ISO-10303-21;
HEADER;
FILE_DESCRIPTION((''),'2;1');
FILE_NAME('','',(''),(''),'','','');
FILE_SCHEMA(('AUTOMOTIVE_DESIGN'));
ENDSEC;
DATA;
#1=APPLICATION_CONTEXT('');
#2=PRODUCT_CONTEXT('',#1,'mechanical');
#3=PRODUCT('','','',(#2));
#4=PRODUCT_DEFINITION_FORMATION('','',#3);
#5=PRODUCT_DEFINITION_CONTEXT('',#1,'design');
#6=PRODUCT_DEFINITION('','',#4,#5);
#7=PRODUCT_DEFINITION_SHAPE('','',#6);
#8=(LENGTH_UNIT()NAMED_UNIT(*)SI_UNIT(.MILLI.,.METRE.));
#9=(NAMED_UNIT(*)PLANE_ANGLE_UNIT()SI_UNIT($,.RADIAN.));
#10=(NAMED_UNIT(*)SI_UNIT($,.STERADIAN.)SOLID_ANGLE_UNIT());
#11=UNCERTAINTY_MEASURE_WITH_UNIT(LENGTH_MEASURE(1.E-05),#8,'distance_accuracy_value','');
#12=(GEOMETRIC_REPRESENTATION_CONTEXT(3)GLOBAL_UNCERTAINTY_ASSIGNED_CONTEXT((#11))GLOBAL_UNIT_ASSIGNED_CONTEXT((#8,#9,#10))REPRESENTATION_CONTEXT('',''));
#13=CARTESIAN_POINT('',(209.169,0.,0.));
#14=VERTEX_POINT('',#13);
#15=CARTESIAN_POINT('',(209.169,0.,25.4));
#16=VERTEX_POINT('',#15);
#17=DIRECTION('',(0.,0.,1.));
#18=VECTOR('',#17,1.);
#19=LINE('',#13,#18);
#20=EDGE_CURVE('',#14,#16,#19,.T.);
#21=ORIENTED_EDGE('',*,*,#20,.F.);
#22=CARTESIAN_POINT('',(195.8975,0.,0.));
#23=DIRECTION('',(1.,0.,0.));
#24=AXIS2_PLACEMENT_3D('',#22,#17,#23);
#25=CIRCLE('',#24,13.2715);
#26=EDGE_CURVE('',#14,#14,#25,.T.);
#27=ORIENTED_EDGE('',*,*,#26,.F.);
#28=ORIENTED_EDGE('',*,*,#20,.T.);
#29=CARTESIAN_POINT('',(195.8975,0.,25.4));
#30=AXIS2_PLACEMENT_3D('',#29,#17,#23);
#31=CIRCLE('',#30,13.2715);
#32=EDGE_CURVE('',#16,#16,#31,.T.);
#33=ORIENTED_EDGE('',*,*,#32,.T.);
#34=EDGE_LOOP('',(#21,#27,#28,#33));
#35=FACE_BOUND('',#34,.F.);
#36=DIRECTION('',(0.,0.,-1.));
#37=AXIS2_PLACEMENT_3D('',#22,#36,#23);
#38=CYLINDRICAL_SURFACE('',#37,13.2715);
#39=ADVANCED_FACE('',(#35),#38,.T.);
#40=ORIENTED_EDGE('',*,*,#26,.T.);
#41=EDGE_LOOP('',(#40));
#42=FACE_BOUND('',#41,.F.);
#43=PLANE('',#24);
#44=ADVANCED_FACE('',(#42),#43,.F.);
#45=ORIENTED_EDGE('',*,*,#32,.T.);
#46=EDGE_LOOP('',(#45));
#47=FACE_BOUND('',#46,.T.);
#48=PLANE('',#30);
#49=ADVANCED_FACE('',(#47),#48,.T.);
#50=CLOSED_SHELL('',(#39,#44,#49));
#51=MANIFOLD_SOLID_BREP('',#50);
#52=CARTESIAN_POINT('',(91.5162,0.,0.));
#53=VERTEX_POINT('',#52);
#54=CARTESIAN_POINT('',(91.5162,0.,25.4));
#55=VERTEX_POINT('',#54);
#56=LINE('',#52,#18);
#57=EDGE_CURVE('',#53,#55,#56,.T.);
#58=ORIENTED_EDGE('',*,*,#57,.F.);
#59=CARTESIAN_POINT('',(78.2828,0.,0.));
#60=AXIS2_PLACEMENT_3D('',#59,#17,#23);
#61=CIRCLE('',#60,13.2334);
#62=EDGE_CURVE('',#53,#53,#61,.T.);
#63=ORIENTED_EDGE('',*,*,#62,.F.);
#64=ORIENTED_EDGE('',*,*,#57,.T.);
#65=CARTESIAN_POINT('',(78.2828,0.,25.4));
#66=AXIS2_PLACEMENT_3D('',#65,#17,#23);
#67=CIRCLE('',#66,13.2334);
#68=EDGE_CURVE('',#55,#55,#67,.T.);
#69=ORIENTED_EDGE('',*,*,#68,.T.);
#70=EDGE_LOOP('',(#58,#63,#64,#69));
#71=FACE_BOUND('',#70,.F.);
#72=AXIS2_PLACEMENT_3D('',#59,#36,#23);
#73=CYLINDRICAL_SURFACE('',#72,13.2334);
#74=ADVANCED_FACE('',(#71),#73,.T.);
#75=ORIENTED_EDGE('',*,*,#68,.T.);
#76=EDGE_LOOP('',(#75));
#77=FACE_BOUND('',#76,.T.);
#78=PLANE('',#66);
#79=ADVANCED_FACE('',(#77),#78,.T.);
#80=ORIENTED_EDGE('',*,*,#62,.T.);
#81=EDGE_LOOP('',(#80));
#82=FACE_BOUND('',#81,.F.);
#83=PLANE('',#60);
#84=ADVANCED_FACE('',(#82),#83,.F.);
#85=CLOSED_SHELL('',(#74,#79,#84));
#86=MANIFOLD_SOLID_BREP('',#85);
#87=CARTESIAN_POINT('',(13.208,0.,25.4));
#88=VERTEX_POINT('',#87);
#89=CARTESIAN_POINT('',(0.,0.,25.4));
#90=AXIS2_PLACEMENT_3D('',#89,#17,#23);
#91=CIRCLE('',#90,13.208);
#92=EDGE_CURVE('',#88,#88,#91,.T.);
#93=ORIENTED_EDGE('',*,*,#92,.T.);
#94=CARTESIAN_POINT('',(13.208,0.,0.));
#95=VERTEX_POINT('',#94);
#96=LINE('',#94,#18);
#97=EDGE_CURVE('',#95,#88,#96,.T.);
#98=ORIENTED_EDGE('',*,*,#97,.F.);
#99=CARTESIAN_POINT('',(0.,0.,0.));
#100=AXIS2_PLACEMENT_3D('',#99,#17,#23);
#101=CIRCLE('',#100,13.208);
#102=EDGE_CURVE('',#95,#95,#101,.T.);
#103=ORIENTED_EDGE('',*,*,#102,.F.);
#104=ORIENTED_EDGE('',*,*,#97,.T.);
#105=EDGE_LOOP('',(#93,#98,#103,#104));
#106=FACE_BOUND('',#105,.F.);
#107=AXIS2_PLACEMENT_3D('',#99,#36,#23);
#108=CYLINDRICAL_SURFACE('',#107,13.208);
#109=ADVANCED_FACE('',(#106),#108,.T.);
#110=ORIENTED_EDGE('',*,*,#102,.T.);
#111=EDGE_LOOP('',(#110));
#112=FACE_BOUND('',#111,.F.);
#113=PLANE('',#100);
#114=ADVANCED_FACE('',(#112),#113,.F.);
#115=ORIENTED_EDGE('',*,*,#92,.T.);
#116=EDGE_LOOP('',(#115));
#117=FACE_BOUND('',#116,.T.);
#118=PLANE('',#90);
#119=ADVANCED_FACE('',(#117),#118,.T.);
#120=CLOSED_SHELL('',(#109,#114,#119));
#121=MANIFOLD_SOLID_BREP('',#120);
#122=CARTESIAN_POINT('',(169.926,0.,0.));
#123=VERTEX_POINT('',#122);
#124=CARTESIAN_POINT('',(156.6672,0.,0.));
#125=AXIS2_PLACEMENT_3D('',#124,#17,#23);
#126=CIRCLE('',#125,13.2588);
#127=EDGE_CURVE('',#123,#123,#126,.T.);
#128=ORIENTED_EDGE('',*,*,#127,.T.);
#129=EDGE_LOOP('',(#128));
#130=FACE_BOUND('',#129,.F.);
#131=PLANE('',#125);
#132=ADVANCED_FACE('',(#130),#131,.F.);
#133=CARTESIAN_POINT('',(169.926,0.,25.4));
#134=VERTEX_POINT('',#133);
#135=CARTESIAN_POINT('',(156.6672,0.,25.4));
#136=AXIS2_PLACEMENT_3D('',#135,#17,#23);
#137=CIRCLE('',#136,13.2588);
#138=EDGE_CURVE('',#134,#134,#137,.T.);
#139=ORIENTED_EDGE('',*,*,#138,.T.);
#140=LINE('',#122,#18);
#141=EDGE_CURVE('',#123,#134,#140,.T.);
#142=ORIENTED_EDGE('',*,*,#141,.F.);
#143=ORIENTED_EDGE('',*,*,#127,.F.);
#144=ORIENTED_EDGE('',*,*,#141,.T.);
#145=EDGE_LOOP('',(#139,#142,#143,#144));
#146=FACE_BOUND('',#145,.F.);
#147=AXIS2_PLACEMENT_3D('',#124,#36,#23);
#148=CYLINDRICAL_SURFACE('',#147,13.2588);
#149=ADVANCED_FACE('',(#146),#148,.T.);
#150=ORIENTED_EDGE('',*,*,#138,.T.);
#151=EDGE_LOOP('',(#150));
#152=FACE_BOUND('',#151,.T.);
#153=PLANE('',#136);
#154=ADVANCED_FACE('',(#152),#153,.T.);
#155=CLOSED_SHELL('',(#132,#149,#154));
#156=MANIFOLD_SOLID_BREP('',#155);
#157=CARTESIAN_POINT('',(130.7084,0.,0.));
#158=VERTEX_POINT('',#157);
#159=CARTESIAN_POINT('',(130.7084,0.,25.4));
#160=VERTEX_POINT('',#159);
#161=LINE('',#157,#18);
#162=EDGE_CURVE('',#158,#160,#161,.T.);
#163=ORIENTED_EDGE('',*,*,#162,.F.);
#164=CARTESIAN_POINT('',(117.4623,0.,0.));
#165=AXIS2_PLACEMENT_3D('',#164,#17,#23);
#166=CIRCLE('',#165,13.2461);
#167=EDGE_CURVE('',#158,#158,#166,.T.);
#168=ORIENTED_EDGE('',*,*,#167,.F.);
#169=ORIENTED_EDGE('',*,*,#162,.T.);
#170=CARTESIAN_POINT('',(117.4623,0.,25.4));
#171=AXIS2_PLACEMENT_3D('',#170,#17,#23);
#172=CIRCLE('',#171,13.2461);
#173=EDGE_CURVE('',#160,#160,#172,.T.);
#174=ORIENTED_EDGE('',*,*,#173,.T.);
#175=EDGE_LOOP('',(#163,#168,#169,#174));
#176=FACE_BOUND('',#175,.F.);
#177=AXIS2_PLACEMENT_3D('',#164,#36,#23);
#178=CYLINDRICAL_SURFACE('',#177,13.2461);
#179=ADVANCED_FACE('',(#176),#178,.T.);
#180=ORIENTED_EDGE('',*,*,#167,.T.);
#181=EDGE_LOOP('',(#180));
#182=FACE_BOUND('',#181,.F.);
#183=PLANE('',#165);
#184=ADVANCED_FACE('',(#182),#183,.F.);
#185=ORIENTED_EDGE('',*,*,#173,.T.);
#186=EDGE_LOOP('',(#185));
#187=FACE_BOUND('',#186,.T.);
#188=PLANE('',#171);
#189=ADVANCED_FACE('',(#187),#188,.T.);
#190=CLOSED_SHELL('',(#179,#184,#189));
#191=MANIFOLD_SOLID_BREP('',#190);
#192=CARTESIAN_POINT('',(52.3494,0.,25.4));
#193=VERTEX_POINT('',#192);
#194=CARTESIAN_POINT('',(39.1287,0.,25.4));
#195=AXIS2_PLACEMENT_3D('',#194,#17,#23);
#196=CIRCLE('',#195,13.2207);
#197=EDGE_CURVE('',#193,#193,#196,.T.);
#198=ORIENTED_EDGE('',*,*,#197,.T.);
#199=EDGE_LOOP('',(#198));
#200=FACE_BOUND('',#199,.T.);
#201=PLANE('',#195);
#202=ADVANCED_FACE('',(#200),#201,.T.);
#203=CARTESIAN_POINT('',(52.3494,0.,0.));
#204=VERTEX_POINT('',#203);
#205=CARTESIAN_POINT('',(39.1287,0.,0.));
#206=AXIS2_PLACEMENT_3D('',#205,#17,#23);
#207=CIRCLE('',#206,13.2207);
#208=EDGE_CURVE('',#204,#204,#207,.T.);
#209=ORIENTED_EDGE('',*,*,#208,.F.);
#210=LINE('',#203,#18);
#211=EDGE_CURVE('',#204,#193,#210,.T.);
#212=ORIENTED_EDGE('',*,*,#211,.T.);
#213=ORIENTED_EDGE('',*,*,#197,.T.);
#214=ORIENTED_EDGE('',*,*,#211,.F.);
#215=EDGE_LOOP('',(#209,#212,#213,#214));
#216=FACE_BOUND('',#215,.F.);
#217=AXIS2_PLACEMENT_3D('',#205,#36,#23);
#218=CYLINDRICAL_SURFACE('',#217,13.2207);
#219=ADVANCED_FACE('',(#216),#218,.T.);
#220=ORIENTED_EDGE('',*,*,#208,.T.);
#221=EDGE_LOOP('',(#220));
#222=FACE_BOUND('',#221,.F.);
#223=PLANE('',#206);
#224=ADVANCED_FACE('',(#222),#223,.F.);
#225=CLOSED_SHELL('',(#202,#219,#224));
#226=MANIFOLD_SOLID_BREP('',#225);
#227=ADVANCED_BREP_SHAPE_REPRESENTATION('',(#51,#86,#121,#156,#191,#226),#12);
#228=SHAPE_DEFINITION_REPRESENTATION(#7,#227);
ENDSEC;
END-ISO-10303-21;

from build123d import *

# Parameters (mm, degrees)
F0_R     = 13.208
F0_R_2   = 13.2207
F0_R_3   = 13.2334
F0_R_4   = 13.2461
F0_R_5   = 13.2588
F0_R_6   = 13.2715
F1_DEPTH = 25.4


with BuildPart() as f1:
    # F0 (on Top) → F1 (new body)
    with BuildSketch(Plane.XY):
        Circle(F0_R)
        with Locations((39.1287, 0)):
            Circle(F0_R_2)
        with Locations((78.2828, 0)):
            Circle(F0_R_3)
        with Locations((117.4623, 0)):
            Circle(F0_R_4)
        with Locations((156.6672, 0)):
            Circle(F0_R_5)
        with Locations((195.8975, 0)):
            Circle(F0_R_6)
    extrude(amount=F1_DEPTH)


solid = f1.part
